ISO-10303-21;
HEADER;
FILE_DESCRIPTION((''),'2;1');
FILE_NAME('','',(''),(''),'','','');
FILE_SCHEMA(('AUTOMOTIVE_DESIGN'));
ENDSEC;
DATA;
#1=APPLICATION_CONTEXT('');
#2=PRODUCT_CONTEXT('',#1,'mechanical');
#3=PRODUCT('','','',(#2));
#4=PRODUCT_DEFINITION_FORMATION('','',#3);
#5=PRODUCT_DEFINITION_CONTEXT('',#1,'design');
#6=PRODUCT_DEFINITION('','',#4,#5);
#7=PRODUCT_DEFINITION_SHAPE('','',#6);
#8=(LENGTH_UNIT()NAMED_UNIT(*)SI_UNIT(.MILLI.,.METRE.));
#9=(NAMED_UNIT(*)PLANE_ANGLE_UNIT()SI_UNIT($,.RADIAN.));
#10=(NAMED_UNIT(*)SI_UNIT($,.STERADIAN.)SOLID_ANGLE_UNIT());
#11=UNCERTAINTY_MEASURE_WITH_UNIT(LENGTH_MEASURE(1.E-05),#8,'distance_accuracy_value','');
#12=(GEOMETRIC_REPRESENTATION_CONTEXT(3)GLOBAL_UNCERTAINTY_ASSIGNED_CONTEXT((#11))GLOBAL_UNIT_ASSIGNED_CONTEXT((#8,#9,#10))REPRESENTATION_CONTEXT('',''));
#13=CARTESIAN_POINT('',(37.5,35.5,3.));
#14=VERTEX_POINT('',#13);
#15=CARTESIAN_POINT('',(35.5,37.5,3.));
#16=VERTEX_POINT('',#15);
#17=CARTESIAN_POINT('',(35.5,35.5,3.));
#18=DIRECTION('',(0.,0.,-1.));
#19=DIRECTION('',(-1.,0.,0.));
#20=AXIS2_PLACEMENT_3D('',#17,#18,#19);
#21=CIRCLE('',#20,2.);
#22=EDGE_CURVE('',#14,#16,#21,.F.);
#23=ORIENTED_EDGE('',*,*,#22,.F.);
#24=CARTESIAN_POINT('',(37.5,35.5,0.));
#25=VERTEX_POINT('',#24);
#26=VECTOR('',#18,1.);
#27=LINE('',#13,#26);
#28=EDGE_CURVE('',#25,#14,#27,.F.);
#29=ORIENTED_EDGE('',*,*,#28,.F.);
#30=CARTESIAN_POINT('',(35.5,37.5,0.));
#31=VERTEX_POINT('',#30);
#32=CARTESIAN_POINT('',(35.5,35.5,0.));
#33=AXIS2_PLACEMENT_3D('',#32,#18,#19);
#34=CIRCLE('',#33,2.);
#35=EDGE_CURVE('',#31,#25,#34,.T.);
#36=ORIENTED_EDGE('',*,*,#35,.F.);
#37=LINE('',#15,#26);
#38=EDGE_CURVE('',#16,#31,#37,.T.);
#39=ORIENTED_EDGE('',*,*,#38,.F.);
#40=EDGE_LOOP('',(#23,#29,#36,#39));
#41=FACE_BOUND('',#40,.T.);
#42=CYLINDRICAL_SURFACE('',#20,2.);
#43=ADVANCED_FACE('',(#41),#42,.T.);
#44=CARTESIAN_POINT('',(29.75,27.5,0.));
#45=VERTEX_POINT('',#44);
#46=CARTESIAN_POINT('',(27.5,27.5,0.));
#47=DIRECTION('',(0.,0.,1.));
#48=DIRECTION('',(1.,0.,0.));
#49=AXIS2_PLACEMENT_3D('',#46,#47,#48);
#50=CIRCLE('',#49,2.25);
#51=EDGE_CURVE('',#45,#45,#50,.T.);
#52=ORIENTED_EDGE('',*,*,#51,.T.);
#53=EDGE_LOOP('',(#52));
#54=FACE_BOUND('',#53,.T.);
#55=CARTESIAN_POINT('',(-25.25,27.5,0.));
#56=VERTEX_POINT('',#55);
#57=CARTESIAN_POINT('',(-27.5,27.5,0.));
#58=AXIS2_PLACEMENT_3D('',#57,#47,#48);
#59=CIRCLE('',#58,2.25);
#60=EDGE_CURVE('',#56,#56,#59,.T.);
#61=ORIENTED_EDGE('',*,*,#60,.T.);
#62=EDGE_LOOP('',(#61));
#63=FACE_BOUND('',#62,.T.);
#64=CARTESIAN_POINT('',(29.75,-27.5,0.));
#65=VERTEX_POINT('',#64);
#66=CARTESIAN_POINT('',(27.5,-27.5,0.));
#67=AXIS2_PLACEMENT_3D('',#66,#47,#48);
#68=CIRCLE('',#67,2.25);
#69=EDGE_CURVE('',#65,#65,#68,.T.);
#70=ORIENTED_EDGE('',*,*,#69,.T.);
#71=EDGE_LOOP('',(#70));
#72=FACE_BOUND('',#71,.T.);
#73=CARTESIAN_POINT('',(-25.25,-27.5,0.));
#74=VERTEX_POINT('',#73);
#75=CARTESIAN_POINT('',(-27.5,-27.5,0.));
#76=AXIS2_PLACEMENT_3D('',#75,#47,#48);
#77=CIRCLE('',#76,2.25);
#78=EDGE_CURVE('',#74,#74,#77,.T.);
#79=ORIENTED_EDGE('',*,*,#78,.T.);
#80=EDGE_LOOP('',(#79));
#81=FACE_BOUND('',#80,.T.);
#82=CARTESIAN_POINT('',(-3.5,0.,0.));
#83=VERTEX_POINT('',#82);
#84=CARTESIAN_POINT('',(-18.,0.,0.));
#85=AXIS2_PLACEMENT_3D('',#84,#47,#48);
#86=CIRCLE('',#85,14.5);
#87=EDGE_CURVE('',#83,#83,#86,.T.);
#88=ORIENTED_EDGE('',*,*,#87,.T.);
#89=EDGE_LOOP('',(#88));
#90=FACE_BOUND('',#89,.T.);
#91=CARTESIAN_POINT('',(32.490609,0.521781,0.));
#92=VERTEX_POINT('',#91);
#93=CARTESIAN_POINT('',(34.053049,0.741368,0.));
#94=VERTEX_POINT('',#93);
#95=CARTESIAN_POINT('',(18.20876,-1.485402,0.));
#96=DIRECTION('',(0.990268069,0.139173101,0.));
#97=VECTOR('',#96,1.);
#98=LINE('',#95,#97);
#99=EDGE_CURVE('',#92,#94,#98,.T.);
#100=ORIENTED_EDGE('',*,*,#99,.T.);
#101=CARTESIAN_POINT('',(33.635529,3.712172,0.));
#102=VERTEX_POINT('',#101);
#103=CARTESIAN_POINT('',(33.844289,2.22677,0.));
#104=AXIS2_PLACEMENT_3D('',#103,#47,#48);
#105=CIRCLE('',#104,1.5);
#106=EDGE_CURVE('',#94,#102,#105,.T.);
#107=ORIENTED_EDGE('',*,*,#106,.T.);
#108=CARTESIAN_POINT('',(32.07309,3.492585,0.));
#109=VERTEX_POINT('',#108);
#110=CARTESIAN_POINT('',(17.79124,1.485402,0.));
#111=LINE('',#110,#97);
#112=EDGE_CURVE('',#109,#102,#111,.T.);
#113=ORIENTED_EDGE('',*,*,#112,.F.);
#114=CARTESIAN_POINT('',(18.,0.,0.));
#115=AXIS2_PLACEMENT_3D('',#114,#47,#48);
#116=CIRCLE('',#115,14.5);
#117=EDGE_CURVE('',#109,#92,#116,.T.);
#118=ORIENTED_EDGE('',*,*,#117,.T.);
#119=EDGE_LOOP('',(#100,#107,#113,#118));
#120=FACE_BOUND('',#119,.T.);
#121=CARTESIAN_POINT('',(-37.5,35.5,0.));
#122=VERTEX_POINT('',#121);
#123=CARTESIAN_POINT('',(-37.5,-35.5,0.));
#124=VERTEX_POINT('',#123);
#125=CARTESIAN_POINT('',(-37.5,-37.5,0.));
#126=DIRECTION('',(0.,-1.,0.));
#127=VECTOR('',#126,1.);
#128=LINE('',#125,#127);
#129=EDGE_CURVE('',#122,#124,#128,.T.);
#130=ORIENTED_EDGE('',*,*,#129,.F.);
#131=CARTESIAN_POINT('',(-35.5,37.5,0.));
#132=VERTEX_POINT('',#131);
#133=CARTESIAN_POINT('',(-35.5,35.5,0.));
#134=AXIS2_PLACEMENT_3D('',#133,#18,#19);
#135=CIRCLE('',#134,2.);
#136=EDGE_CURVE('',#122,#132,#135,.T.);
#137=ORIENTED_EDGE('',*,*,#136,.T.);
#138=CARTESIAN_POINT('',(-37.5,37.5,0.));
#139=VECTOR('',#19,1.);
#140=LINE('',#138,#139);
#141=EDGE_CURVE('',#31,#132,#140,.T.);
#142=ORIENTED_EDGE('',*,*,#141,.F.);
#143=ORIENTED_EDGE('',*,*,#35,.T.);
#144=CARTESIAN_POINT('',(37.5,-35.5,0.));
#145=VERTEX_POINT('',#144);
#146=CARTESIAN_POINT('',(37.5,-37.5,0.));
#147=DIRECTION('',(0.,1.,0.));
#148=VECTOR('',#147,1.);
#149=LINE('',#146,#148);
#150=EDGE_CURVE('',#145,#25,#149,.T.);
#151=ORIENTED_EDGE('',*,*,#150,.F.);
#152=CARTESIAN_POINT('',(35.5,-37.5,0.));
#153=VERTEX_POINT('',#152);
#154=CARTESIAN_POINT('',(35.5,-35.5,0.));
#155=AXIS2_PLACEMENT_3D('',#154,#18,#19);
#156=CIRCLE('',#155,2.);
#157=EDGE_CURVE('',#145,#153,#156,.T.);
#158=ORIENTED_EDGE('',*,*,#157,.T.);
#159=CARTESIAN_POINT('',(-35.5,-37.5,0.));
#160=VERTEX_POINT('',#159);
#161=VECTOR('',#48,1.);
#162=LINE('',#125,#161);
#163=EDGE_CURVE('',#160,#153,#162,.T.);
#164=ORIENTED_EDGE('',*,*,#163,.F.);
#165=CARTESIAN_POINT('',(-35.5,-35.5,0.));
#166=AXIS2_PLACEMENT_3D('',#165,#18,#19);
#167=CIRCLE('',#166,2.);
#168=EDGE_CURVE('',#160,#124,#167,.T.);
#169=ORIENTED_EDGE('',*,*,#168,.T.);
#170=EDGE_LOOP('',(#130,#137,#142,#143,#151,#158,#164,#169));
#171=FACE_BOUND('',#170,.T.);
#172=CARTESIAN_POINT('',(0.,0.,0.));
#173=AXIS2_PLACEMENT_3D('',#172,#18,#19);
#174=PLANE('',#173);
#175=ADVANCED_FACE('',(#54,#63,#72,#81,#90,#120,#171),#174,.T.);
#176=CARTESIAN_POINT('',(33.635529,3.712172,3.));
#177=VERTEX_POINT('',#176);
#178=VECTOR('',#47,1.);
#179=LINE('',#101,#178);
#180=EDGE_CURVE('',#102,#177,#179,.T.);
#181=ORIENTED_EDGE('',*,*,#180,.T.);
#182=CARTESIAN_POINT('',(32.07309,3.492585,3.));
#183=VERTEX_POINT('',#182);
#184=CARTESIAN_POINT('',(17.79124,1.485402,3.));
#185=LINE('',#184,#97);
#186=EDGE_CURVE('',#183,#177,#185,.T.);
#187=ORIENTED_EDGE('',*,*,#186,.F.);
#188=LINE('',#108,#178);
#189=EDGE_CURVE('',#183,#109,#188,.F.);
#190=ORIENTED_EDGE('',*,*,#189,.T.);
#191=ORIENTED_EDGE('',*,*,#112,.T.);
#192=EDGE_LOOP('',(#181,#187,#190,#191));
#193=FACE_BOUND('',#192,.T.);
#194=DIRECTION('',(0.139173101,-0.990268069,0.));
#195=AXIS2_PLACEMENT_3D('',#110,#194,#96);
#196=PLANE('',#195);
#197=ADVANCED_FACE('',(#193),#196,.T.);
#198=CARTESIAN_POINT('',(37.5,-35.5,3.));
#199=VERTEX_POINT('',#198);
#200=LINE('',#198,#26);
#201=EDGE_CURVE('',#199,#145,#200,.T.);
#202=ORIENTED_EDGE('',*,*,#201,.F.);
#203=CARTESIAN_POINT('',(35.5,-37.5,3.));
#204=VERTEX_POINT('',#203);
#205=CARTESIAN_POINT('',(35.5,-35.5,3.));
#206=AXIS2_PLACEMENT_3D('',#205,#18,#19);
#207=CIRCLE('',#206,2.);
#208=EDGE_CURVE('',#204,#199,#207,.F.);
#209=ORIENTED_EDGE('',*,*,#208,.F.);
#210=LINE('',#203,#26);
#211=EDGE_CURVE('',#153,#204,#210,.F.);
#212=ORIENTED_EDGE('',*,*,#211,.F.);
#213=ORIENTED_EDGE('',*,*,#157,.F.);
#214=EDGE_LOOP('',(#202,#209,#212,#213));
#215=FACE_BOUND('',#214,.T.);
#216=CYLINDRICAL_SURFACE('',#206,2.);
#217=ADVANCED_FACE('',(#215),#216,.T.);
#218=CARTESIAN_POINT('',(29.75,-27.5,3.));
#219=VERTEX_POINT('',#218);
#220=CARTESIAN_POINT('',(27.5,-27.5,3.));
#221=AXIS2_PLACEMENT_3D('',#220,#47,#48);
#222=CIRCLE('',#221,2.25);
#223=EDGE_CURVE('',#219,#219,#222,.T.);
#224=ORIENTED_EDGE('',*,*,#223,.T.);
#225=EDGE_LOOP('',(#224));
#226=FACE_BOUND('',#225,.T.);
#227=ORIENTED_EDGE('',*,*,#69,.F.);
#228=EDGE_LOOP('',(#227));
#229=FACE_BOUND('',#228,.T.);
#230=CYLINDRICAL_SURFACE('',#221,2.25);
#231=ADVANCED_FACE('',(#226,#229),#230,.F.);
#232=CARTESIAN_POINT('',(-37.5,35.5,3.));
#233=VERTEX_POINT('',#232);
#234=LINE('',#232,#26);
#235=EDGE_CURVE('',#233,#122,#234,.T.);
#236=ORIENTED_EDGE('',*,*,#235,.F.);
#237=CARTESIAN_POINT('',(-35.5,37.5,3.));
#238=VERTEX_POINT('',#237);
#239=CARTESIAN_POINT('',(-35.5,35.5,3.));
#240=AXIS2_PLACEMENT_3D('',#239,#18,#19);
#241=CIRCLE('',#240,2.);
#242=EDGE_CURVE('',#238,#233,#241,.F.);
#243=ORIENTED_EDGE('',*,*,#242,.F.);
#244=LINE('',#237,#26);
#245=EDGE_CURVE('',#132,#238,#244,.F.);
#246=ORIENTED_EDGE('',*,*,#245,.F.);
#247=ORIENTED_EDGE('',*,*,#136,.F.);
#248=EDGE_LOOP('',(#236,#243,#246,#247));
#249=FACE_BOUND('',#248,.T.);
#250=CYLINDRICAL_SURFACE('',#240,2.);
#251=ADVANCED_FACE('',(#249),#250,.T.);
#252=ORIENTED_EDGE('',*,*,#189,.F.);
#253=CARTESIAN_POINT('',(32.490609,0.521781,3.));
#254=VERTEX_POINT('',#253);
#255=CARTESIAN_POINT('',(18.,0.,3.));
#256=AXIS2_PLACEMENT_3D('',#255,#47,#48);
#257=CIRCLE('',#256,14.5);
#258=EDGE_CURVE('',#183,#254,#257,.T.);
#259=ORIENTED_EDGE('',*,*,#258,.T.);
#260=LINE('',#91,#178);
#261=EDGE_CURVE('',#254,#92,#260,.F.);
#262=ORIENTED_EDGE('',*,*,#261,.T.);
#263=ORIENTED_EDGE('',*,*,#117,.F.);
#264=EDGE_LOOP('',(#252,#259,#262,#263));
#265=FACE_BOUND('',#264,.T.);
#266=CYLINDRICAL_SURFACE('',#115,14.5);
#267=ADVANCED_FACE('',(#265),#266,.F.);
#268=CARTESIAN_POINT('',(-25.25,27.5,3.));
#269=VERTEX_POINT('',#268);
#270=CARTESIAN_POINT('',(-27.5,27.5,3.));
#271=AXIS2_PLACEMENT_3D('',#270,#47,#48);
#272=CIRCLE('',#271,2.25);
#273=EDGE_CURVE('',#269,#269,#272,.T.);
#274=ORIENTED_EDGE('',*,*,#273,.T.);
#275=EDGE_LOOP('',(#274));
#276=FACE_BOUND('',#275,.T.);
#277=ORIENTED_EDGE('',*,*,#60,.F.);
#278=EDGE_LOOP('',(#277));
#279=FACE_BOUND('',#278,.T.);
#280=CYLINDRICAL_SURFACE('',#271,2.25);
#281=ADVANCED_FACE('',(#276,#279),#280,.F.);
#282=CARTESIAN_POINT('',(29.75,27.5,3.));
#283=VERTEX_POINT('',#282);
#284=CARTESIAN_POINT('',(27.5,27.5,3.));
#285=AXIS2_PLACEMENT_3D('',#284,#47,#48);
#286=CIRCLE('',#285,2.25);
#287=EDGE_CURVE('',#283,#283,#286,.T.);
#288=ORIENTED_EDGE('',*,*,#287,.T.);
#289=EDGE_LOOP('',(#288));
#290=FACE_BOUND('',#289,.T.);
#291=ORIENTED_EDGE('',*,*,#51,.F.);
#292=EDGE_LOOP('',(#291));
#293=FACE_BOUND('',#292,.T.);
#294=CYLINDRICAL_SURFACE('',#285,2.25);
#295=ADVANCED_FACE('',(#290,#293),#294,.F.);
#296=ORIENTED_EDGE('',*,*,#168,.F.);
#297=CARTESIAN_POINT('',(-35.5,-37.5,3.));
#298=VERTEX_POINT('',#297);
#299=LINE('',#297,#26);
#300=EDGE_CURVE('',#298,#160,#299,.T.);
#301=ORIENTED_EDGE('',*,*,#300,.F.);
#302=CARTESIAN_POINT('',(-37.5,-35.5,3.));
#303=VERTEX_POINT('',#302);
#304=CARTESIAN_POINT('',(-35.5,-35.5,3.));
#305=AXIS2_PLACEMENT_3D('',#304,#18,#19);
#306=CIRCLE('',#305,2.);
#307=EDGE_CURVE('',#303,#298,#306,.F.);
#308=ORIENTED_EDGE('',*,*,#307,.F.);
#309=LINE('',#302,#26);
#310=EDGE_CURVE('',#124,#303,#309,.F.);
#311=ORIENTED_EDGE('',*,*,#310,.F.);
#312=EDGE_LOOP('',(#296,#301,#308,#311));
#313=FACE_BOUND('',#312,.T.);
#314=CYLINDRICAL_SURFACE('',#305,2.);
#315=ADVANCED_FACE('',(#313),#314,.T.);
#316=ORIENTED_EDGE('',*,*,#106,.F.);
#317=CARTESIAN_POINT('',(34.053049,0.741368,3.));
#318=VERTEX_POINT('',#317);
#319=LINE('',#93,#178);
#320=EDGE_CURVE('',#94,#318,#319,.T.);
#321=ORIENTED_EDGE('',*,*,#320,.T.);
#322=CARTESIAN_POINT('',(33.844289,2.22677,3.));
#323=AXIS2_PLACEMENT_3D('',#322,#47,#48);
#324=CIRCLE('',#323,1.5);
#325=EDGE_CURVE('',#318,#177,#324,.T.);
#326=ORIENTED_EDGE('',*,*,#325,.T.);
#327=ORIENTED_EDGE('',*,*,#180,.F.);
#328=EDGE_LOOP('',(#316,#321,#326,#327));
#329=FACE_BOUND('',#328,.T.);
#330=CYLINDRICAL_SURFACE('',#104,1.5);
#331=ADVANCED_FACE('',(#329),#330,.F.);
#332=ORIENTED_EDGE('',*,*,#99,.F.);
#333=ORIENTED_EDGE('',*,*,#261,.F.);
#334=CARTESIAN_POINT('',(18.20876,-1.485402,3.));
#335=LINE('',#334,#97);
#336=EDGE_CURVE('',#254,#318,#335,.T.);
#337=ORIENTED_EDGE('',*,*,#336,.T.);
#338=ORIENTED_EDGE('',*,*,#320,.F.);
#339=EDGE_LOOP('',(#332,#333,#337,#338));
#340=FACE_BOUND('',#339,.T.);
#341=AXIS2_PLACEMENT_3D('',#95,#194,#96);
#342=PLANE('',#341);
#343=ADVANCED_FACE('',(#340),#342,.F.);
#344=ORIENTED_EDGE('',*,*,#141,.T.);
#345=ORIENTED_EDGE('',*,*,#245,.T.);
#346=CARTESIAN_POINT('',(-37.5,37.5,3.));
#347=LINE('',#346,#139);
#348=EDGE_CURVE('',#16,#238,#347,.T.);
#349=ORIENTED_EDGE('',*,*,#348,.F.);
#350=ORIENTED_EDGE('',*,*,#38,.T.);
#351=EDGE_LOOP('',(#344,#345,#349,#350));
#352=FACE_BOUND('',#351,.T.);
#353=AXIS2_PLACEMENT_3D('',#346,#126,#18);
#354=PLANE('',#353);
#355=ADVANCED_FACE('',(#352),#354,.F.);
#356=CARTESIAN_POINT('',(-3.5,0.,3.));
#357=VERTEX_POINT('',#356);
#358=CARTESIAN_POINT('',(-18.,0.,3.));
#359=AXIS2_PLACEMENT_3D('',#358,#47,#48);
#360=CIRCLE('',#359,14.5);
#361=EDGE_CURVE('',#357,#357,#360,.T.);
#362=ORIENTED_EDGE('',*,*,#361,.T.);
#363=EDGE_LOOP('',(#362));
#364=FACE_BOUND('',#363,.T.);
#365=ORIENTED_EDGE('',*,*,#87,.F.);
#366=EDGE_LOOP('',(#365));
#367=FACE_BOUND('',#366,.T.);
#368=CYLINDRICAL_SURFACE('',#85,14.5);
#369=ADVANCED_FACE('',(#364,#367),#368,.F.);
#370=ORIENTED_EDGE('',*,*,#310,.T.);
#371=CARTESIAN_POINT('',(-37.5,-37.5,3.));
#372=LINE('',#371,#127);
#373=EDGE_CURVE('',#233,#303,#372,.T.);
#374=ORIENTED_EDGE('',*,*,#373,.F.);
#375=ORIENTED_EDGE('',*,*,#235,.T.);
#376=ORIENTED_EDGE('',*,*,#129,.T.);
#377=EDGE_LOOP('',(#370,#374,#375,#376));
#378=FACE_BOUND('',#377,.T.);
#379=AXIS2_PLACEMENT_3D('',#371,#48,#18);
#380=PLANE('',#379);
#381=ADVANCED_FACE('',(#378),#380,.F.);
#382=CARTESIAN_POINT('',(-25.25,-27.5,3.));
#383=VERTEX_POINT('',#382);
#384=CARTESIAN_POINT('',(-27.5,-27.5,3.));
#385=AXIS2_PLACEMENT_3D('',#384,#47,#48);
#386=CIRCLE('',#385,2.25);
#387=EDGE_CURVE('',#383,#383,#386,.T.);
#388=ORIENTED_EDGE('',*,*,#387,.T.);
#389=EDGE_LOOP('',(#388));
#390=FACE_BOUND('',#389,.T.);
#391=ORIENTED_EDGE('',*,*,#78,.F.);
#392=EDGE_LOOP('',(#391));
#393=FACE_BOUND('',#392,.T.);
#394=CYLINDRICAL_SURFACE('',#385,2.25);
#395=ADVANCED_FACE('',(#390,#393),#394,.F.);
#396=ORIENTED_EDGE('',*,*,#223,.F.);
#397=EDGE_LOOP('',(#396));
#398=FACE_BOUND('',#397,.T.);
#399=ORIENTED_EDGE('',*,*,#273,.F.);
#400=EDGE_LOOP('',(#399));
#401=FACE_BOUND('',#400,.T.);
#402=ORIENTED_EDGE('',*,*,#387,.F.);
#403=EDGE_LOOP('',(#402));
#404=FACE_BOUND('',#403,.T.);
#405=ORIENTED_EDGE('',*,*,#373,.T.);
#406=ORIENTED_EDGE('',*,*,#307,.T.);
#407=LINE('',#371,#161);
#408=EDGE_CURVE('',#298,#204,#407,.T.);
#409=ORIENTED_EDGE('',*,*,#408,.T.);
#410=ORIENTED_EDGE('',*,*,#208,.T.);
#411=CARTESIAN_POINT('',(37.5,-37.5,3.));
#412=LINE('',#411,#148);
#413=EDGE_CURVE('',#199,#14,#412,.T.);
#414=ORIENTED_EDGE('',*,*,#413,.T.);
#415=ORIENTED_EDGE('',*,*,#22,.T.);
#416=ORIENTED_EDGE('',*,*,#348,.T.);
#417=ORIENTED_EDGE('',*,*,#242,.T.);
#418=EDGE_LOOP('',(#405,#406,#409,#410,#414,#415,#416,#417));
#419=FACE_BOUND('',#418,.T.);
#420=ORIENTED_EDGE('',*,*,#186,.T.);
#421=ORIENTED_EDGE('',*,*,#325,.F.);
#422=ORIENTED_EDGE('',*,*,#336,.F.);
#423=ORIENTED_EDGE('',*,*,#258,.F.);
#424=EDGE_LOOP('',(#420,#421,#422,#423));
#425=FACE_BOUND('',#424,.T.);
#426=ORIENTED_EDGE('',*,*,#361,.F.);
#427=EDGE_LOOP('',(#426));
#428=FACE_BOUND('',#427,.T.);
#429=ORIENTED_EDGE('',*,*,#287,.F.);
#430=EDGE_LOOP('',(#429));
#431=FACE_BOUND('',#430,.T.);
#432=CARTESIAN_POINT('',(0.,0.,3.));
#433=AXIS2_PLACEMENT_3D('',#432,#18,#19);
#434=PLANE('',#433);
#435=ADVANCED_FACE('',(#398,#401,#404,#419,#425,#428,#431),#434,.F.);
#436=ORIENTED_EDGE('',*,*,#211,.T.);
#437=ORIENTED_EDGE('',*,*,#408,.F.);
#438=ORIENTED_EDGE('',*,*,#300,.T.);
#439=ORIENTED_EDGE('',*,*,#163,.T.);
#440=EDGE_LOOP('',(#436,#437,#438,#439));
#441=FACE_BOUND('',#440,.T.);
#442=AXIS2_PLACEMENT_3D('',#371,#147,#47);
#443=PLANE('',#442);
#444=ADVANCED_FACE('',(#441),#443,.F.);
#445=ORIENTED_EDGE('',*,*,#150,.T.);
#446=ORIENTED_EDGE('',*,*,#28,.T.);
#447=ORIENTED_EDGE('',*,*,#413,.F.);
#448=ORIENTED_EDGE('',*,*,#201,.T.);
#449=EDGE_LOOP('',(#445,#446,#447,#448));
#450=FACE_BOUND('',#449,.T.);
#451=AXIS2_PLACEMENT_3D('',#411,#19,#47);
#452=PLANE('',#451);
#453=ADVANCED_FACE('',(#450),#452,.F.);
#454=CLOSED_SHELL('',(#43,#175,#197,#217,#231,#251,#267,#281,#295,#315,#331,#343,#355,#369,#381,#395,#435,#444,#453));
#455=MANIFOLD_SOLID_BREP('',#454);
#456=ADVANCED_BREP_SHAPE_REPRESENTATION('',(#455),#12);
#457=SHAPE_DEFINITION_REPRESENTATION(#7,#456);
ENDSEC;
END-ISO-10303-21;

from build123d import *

# Parameters (mm, degrees)
SKIZZE1_W                       = 75
SKIZZE1_H                       = 75
AUFSATZ_LINEAR_AUSTRAGEN1_DEPTH = 3
SKIZZE2_R                       = 14.5
SCHNITT_LINEAR_AUSTRAGEN1_DEPTH = 4
VERRUNDUNG1_R                   = 2
DURCHGANGSLOCH_F_R_M41_D        = 4.5
SCHNITT_LINEAR_AUSTRAGEN2_DEPTH = 4


with BuildPart() as part:
    # Skizze1 → Aufsatz-Linear austragen1 (new body)
    with BuildSketch(Plane.XY):
        Rectangle(SKIZZE1_W, SKIZZE1_H)
    extrude(amount=AUFSATZ_LINEAR_AUSTRAGEN1_DEPTH)

    # Skizze2 → Schnitt-Linear austragen1 (cut, through all)
    with BuildSketch(Plane.XY.offset(3)):
        with Locations((-18, 0)):
            Circle(SKIZZE2_R)
        with Locations((18, 0)):
            Circle(SKIZZE2_R)
    extrude(amount=-SCHNITT_LINEAR_AUSTRAGEN1_DEPTH, mode=Mode.SUBTRACT)

    # Verrundung1
    verrundung1_edges = [part.edges().sort_by_distance(p)[0] for p in [
        (37.5, -37.5, 1.5),
        (-37.5, -37.5, 1.5),
        (-37.5, 37.5, 1.5),
        (37.5, 37.5, 1.5),
    ]]
    fillet(verrundung1_edges, radius=VERRUNDUNG1_R)

    # Durchgangsloch für M41 (through all)
    with Locations(Plane.XY.offset(3)):
        with Locations((27.5, 27.5), (-27.5, 27.5)):
            durchgangsloch_f_r_m41 = Hole(DURCHGANGSLOCH_F_R_M41_D / 2)

    # Spiegeln1: Durchgangsloch für M41 across plane
    add(durchgangsloch_f_r_m41.mirror(Plane.ZX), mode=Mode.SUBTRACT)

    # Skizze6 → Schnitt-Linear austragen2 (cut, through all)
    with BuildSketch(Plane.XY.offset(3)):
        with BuildLine():
            Line((17.791240349, 1.485402103), (33.635529448, 3.712171718))
            ThreePointArc((33.635529448, 3.712171718), (35.329691203, 2.435529267), (34.053048751, 0.741367512))
            Line((34.053048751, 0.741367512), (18.208759651, -1.485402103))
            ThreePointArc((18.208759651, -1.485402103), (16.514597897, -0.208759651), (17.791240349, 1.485402103))
        make_face()
    extrude(amount=-SCHNITT_LINEAR_AUSTRAGEN2_DEPTH, mode=Mode.SUBTRACT)


solid = part.part
